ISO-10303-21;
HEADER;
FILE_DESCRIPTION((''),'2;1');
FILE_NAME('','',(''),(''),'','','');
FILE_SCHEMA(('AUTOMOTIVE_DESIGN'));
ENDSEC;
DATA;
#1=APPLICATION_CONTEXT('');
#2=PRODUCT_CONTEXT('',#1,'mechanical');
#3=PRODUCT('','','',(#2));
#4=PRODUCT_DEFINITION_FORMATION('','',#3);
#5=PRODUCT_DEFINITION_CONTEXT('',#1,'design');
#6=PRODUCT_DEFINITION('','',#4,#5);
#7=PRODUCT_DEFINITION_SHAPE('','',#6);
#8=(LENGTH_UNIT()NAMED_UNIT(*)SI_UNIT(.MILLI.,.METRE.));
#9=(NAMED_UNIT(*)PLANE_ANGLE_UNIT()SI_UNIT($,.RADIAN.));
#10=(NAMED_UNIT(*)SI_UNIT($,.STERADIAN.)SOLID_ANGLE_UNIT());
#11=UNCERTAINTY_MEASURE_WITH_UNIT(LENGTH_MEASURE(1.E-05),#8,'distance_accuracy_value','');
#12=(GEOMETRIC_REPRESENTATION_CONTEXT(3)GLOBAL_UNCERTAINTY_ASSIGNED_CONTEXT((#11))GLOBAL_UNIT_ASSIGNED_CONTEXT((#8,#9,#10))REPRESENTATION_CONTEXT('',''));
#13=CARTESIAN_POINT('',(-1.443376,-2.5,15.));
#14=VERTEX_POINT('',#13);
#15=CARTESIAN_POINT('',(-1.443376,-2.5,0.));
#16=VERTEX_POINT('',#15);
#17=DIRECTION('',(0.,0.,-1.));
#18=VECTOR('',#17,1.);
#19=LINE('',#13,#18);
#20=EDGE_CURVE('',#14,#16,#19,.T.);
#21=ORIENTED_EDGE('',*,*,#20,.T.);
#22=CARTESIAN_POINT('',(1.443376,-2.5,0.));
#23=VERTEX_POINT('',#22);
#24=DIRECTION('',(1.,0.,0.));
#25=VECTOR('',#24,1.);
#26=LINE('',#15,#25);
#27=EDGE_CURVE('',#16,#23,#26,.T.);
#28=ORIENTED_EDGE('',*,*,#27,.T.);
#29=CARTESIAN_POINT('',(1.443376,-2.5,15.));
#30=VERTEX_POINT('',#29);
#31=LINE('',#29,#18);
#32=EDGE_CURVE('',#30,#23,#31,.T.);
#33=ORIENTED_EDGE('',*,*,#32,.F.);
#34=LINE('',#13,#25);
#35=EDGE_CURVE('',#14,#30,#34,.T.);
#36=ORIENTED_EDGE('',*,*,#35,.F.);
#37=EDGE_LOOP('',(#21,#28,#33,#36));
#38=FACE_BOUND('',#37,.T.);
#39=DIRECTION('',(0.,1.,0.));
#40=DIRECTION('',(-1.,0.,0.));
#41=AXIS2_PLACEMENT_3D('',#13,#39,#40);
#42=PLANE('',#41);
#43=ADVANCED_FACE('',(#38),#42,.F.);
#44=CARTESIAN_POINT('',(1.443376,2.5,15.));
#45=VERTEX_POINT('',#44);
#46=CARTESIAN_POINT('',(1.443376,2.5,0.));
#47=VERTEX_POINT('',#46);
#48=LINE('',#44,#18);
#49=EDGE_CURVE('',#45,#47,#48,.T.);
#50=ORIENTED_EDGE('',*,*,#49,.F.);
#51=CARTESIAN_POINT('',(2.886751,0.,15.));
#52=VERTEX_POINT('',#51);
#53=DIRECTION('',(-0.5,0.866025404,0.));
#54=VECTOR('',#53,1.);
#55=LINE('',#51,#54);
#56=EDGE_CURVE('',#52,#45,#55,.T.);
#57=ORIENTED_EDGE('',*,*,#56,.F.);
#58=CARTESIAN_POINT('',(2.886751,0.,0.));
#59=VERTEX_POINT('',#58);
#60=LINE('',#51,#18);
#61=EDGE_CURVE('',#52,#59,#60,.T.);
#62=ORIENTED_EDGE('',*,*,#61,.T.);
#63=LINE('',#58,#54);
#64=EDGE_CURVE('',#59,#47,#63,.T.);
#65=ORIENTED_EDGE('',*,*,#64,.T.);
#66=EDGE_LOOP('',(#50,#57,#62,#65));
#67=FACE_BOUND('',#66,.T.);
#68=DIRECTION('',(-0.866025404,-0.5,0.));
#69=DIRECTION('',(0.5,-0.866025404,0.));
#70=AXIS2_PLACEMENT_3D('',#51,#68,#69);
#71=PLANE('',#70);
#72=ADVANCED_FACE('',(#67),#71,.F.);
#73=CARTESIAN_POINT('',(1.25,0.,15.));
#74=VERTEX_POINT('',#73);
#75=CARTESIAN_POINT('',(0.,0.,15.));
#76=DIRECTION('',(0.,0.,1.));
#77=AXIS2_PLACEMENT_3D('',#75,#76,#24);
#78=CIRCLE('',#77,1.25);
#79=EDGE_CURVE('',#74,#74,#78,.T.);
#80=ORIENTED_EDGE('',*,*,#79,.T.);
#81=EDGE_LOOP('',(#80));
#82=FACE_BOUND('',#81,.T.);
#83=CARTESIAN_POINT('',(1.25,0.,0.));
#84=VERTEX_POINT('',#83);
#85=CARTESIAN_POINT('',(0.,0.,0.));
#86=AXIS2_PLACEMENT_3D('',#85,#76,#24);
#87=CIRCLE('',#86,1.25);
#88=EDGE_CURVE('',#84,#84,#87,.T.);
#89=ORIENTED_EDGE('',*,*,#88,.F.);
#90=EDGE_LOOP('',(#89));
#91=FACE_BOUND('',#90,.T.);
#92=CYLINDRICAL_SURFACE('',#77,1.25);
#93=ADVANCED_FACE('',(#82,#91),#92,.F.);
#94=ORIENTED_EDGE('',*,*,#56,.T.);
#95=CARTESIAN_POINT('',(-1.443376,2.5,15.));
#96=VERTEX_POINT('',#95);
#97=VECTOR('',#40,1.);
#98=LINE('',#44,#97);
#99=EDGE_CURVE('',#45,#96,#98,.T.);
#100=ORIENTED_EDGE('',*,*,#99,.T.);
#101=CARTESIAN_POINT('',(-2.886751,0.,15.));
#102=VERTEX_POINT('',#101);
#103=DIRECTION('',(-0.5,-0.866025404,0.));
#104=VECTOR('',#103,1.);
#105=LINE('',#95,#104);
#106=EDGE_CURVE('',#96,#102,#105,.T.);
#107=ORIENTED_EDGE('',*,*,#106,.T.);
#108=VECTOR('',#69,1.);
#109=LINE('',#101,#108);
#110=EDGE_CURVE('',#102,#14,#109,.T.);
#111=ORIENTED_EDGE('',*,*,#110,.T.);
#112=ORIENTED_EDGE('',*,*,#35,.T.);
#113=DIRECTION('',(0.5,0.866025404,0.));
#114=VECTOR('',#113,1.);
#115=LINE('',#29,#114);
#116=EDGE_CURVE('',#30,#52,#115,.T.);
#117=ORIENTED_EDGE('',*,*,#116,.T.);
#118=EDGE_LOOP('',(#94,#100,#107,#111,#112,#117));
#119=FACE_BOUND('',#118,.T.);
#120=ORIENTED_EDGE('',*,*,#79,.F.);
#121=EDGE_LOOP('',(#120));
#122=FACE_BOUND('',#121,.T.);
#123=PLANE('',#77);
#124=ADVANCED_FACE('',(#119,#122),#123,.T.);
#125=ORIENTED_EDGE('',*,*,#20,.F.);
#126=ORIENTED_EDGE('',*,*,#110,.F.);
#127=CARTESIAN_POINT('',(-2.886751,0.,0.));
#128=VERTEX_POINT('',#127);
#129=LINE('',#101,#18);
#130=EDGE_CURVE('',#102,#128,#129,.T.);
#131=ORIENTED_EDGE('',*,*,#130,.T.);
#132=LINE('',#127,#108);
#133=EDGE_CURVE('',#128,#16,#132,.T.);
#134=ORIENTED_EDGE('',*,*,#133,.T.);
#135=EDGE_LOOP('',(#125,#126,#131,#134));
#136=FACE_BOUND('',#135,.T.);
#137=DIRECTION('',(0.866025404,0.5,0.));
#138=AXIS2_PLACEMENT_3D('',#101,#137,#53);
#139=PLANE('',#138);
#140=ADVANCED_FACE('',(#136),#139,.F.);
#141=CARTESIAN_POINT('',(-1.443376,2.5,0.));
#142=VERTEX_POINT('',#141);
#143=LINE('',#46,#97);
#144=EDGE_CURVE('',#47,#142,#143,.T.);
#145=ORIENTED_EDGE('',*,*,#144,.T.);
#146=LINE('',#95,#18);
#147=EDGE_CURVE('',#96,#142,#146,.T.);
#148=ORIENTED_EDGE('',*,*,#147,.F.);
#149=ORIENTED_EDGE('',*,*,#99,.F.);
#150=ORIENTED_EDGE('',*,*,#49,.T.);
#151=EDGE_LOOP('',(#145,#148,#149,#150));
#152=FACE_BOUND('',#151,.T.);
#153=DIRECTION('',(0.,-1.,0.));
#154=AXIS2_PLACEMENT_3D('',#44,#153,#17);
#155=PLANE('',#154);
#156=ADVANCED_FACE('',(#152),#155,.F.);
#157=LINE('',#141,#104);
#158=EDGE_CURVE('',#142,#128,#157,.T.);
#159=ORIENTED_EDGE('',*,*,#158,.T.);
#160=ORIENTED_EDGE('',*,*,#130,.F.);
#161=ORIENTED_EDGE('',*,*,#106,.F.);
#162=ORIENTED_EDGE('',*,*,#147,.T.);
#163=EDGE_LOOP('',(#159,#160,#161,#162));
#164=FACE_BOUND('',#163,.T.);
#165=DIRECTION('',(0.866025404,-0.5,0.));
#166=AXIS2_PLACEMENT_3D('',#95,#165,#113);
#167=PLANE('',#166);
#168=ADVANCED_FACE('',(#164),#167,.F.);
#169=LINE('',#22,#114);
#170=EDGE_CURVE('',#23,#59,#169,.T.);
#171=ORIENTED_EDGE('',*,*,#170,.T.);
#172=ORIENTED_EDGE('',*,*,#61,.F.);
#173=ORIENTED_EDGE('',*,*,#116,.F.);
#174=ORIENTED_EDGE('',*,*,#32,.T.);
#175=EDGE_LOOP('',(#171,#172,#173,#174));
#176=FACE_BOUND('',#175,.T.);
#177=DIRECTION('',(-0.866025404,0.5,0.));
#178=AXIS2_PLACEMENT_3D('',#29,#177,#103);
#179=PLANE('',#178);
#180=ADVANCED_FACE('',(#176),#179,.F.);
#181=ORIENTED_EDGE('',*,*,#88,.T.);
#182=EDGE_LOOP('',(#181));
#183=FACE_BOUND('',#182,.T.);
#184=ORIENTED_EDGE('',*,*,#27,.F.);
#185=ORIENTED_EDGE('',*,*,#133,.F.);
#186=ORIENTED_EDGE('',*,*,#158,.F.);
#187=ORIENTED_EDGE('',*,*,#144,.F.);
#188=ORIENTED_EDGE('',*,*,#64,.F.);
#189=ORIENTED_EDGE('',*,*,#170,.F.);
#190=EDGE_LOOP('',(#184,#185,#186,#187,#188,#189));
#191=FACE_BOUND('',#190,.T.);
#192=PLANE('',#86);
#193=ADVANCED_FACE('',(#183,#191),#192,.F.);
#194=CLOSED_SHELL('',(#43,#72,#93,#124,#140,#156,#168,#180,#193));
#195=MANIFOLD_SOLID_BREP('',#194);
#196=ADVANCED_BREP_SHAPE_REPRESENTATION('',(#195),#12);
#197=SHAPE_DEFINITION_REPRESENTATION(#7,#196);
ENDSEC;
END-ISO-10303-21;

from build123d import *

# Parameters (mm, degrees)
EXTRUDE_1_DEPTH    = 15
HOLE_WIZARD_M3_1_D = 2.5


with BuildPart() as part:
    # 草图1 → 凸台-拉伸1 (new body)
    with BuildSketch(Plane.XY):
        Polygon((1.443375673, 2.5), (-1.443375673, 2.5), (-2.886751346, 0), (-1.443375673, -2.5), (1.443375673, -2.5), (2.886751346, 0), align=None)
    extrude(amount=EXTRUDE_1_DEPTH)

    # M3 螺纹孔1 (through all)
    with Locations(Plane.XY.offset(15)):
        with Locations((0, 0)):
            Hole(HOLE_WIZARD_M3_1_D / 2)


solid = part.part
